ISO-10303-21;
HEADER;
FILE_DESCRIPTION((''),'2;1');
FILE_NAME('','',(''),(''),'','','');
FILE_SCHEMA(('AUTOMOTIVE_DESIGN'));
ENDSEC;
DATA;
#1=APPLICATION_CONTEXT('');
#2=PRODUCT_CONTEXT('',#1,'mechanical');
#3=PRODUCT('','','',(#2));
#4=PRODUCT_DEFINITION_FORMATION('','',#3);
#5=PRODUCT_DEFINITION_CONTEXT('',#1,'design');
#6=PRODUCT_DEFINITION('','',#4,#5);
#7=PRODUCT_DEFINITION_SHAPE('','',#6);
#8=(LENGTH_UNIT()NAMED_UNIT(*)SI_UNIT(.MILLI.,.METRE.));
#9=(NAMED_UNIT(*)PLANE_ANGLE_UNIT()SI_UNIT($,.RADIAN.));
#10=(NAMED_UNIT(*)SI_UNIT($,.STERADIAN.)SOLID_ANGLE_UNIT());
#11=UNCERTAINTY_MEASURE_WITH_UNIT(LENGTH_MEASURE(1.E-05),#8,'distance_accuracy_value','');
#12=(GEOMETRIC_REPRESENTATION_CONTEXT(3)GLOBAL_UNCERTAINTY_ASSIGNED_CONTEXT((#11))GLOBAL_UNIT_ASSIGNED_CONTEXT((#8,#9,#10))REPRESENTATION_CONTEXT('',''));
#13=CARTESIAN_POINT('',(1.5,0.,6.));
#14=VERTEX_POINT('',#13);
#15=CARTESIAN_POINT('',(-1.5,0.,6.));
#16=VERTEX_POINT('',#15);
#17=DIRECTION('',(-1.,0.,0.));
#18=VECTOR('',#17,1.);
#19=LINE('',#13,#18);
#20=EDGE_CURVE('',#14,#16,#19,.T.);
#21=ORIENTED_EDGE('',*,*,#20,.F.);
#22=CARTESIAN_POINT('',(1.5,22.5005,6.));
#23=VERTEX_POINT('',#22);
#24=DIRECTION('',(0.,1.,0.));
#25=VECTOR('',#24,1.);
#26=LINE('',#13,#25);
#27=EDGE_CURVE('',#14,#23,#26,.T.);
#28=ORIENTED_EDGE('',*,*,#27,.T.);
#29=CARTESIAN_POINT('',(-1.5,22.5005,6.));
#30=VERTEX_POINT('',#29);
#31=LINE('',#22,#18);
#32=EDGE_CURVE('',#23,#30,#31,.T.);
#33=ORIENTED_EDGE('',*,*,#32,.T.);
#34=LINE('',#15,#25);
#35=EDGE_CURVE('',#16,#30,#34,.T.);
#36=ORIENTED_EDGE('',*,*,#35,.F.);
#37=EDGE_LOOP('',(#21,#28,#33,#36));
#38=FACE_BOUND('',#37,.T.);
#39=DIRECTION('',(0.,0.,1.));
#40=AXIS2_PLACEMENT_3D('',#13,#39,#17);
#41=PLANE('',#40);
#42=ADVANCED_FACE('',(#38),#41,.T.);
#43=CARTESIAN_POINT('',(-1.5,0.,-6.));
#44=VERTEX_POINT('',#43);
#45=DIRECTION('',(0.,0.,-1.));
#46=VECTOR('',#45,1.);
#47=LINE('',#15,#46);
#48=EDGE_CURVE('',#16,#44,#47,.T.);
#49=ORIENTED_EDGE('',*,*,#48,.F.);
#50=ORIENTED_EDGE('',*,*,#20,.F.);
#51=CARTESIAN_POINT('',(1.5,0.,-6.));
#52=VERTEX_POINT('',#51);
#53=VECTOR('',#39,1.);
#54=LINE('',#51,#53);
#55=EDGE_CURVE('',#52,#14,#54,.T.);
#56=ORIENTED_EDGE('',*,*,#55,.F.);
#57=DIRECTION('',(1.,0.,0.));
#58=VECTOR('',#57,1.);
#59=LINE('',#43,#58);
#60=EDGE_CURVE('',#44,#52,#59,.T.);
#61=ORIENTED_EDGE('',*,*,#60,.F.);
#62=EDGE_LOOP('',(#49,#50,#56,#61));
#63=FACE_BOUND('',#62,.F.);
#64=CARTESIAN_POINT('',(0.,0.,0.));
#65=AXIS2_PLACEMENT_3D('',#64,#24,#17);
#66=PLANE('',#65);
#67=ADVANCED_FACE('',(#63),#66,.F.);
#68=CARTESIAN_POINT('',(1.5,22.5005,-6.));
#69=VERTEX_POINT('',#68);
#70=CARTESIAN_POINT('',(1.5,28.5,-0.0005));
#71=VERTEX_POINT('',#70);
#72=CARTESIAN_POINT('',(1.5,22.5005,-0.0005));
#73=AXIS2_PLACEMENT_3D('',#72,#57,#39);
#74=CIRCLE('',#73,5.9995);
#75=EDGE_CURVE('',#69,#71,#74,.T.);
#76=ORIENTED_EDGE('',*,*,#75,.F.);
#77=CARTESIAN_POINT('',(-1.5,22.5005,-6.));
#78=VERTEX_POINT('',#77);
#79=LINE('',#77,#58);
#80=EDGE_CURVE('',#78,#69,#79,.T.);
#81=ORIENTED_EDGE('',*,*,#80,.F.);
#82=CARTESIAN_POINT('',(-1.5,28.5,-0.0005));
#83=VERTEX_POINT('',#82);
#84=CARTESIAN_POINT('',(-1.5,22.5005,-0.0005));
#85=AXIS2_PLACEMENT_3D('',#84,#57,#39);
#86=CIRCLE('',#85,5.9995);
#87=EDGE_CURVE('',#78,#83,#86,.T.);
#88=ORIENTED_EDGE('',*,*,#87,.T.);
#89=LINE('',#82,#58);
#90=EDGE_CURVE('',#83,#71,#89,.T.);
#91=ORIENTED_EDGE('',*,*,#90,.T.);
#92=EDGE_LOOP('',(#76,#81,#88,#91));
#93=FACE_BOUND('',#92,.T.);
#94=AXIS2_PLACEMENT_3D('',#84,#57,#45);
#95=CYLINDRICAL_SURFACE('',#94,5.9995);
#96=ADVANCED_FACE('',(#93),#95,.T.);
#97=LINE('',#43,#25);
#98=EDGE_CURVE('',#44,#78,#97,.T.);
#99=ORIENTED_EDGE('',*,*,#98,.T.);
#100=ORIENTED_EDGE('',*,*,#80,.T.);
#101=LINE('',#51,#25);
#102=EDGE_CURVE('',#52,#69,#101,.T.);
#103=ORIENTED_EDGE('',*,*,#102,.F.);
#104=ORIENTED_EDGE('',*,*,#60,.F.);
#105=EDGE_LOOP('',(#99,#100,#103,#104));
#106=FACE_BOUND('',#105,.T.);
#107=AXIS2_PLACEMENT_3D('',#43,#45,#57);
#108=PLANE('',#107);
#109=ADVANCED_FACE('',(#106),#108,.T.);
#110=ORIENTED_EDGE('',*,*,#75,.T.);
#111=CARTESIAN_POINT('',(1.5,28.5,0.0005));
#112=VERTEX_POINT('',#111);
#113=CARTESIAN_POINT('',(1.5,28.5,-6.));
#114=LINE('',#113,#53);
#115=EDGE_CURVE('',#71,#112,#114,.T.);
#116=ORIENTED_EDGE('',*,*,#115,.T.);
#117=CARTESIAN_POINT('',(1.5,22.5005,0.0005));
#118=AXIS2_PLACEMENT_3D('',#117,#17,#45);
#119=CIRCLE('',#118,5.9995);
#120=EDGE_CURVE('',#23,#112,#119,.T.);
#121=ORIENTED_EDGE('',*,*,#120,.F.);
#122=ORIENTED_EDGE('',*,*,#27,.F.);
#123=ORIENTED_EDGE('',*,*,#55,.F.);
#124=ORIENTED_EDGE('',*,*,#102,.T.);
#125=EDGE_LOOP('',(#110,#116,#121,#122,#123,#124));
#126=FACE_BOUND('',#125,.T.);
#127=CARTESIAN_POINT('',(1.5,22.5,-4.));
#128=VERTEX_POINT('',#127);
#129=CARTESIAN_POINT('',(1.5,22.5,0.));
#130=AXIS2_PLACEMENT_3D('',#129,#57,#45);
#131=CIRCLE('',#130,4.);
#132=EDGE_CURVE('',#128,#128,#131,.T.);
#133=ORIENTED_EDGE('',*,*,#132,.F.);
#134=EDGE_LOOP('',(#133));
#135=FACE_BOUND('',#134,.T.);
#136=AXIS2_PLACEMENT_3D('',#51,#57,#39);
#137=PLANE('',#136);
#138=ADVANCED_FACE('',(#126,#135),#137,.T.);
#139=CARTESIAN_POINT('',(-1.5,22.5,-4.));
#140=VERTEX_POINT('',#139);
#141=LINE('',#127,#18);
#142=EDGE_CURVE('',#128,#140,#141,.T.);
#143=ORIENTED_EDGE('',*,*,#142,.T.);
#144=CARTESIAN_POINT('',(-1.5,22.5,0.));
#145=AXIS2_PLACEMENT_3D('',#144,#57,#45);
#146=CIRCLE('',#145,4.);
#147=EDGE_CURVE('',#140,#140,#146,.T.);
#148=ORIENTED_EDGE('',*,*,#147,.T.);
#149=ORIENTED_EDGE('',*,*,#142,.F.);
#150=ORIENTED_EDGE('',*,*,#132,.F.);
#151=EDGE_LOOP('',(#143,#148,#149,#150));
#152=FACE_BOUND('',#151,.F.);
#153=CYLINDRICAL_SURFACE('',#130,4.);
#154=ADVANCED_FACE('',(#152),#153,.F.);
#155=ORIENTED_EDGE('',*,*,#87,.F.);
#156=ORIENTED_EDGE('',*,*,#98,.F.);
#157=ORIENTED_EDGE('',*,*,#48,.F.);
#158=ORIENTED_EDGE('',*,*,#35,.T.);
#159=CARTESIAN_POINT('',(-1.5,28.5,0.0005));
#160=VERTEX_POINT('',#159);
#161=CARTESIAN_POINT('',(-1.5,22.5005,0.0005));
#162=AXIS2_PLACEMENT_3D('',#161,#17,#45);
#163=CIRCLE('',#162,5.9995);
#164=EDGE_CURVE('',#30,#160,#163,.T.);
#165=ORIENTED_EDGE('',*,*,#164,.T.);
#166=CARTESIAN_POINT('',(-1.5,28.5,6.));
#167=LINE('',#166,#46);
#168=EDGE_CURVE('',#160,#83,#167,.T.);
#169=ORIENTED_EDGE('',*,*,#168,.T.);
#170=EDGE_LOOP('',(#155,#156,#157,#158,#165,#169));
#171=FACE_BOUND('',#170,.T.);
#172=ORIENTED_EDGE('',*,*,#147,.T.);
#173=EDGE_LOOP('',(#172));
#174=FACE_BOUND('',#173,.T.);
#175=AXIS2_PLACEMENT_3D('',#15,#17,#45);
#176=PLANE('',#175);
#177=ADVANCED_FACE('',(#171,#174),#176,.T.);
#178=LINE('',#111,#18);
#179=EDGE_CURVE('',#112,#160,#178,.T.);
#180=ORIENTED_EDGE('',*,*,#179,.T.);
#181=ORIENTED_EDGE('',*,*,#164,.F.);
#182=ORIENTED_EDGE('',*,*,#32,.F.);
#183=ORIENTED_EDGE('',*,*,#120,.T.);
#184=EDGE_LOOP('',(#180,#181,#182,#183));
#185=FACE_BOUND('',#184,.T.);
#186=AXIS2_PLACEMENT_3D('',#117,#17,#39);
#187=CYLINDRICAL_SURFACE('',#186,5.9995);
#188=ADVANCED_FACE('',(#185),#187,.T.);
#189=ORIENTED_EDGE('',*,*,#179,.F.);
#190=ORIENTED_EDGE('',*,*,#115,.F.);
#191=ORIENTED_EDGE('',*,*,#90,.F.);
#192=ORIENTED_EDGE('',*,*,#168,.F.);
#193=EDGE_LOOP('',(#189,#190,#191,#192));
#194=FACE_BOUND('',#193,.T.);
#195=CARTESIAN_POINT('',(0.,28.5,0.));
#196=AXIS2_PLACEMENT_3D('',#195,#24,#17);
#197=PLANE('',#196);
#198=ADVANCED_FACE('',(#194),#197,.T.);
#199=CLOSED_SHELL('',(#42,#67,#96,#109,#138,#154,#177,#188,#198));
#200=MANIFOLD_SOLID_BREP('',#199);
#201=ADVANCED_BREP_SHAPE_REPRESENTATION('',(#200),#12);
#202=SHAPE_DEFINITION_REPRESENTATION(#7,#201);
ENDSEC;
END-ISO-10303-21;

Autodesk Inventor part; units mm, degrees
ref_plane "YZ Plane" through (0, 0, 0) normal (1, 0, 0) x (0, 1, 0)
ref_plane "XZ Plane" through (0, 0, 0) normal (0, 1, 0) x (-1, 0, 0)
ref_plane "XY Plane" through (0, 0, 0) normal (0, 0, 1) x (1, 0, 0)
sketch "Sketch1" plane through (0, 0, 0) normal (0, 1, 0) x (-1, 0, 0)
  line L0 (-1.5, 6) -> (1.5, 6)
  line L1 (1.5, 6) -> (1.5, -6)
  line L2 (1.5, -6) -> (-1.5, -6)
  line L3 (-1.5, -6) -> (-1.5, 6)
  line L4 (-1.5, 6) -> (1.5, -6) construction
  line L5 (1.5, 6) -> (-1.5, -6) construction
  point P0 (0, 0)
  dimension "d0" = 3
  dimension "d1" = 12
extrude "Extrusion1" add sketch "Sketch1" along normal blind 28.5
fillet "Fillet1" radius 6 2 edges at (0, 28.5, 6) (0, 28.5, -6)
sketch "Sketch4" plane through (1.5, 0, 6) normal (1, 0, 0) x (0, 0, -1)
  arc A0 (12, 22.5) -> (0, 22.5) centre (6, 22.5) ccw projected
  circle A1 centre (6, 22.5) radius 4
  point P0 (6, 0)
  dimension "d14" = 8
extrude "Extrusion4" cut sketch "Sketch4" against normal through all
properties part number "middleLegv2-1_3DPrint"
